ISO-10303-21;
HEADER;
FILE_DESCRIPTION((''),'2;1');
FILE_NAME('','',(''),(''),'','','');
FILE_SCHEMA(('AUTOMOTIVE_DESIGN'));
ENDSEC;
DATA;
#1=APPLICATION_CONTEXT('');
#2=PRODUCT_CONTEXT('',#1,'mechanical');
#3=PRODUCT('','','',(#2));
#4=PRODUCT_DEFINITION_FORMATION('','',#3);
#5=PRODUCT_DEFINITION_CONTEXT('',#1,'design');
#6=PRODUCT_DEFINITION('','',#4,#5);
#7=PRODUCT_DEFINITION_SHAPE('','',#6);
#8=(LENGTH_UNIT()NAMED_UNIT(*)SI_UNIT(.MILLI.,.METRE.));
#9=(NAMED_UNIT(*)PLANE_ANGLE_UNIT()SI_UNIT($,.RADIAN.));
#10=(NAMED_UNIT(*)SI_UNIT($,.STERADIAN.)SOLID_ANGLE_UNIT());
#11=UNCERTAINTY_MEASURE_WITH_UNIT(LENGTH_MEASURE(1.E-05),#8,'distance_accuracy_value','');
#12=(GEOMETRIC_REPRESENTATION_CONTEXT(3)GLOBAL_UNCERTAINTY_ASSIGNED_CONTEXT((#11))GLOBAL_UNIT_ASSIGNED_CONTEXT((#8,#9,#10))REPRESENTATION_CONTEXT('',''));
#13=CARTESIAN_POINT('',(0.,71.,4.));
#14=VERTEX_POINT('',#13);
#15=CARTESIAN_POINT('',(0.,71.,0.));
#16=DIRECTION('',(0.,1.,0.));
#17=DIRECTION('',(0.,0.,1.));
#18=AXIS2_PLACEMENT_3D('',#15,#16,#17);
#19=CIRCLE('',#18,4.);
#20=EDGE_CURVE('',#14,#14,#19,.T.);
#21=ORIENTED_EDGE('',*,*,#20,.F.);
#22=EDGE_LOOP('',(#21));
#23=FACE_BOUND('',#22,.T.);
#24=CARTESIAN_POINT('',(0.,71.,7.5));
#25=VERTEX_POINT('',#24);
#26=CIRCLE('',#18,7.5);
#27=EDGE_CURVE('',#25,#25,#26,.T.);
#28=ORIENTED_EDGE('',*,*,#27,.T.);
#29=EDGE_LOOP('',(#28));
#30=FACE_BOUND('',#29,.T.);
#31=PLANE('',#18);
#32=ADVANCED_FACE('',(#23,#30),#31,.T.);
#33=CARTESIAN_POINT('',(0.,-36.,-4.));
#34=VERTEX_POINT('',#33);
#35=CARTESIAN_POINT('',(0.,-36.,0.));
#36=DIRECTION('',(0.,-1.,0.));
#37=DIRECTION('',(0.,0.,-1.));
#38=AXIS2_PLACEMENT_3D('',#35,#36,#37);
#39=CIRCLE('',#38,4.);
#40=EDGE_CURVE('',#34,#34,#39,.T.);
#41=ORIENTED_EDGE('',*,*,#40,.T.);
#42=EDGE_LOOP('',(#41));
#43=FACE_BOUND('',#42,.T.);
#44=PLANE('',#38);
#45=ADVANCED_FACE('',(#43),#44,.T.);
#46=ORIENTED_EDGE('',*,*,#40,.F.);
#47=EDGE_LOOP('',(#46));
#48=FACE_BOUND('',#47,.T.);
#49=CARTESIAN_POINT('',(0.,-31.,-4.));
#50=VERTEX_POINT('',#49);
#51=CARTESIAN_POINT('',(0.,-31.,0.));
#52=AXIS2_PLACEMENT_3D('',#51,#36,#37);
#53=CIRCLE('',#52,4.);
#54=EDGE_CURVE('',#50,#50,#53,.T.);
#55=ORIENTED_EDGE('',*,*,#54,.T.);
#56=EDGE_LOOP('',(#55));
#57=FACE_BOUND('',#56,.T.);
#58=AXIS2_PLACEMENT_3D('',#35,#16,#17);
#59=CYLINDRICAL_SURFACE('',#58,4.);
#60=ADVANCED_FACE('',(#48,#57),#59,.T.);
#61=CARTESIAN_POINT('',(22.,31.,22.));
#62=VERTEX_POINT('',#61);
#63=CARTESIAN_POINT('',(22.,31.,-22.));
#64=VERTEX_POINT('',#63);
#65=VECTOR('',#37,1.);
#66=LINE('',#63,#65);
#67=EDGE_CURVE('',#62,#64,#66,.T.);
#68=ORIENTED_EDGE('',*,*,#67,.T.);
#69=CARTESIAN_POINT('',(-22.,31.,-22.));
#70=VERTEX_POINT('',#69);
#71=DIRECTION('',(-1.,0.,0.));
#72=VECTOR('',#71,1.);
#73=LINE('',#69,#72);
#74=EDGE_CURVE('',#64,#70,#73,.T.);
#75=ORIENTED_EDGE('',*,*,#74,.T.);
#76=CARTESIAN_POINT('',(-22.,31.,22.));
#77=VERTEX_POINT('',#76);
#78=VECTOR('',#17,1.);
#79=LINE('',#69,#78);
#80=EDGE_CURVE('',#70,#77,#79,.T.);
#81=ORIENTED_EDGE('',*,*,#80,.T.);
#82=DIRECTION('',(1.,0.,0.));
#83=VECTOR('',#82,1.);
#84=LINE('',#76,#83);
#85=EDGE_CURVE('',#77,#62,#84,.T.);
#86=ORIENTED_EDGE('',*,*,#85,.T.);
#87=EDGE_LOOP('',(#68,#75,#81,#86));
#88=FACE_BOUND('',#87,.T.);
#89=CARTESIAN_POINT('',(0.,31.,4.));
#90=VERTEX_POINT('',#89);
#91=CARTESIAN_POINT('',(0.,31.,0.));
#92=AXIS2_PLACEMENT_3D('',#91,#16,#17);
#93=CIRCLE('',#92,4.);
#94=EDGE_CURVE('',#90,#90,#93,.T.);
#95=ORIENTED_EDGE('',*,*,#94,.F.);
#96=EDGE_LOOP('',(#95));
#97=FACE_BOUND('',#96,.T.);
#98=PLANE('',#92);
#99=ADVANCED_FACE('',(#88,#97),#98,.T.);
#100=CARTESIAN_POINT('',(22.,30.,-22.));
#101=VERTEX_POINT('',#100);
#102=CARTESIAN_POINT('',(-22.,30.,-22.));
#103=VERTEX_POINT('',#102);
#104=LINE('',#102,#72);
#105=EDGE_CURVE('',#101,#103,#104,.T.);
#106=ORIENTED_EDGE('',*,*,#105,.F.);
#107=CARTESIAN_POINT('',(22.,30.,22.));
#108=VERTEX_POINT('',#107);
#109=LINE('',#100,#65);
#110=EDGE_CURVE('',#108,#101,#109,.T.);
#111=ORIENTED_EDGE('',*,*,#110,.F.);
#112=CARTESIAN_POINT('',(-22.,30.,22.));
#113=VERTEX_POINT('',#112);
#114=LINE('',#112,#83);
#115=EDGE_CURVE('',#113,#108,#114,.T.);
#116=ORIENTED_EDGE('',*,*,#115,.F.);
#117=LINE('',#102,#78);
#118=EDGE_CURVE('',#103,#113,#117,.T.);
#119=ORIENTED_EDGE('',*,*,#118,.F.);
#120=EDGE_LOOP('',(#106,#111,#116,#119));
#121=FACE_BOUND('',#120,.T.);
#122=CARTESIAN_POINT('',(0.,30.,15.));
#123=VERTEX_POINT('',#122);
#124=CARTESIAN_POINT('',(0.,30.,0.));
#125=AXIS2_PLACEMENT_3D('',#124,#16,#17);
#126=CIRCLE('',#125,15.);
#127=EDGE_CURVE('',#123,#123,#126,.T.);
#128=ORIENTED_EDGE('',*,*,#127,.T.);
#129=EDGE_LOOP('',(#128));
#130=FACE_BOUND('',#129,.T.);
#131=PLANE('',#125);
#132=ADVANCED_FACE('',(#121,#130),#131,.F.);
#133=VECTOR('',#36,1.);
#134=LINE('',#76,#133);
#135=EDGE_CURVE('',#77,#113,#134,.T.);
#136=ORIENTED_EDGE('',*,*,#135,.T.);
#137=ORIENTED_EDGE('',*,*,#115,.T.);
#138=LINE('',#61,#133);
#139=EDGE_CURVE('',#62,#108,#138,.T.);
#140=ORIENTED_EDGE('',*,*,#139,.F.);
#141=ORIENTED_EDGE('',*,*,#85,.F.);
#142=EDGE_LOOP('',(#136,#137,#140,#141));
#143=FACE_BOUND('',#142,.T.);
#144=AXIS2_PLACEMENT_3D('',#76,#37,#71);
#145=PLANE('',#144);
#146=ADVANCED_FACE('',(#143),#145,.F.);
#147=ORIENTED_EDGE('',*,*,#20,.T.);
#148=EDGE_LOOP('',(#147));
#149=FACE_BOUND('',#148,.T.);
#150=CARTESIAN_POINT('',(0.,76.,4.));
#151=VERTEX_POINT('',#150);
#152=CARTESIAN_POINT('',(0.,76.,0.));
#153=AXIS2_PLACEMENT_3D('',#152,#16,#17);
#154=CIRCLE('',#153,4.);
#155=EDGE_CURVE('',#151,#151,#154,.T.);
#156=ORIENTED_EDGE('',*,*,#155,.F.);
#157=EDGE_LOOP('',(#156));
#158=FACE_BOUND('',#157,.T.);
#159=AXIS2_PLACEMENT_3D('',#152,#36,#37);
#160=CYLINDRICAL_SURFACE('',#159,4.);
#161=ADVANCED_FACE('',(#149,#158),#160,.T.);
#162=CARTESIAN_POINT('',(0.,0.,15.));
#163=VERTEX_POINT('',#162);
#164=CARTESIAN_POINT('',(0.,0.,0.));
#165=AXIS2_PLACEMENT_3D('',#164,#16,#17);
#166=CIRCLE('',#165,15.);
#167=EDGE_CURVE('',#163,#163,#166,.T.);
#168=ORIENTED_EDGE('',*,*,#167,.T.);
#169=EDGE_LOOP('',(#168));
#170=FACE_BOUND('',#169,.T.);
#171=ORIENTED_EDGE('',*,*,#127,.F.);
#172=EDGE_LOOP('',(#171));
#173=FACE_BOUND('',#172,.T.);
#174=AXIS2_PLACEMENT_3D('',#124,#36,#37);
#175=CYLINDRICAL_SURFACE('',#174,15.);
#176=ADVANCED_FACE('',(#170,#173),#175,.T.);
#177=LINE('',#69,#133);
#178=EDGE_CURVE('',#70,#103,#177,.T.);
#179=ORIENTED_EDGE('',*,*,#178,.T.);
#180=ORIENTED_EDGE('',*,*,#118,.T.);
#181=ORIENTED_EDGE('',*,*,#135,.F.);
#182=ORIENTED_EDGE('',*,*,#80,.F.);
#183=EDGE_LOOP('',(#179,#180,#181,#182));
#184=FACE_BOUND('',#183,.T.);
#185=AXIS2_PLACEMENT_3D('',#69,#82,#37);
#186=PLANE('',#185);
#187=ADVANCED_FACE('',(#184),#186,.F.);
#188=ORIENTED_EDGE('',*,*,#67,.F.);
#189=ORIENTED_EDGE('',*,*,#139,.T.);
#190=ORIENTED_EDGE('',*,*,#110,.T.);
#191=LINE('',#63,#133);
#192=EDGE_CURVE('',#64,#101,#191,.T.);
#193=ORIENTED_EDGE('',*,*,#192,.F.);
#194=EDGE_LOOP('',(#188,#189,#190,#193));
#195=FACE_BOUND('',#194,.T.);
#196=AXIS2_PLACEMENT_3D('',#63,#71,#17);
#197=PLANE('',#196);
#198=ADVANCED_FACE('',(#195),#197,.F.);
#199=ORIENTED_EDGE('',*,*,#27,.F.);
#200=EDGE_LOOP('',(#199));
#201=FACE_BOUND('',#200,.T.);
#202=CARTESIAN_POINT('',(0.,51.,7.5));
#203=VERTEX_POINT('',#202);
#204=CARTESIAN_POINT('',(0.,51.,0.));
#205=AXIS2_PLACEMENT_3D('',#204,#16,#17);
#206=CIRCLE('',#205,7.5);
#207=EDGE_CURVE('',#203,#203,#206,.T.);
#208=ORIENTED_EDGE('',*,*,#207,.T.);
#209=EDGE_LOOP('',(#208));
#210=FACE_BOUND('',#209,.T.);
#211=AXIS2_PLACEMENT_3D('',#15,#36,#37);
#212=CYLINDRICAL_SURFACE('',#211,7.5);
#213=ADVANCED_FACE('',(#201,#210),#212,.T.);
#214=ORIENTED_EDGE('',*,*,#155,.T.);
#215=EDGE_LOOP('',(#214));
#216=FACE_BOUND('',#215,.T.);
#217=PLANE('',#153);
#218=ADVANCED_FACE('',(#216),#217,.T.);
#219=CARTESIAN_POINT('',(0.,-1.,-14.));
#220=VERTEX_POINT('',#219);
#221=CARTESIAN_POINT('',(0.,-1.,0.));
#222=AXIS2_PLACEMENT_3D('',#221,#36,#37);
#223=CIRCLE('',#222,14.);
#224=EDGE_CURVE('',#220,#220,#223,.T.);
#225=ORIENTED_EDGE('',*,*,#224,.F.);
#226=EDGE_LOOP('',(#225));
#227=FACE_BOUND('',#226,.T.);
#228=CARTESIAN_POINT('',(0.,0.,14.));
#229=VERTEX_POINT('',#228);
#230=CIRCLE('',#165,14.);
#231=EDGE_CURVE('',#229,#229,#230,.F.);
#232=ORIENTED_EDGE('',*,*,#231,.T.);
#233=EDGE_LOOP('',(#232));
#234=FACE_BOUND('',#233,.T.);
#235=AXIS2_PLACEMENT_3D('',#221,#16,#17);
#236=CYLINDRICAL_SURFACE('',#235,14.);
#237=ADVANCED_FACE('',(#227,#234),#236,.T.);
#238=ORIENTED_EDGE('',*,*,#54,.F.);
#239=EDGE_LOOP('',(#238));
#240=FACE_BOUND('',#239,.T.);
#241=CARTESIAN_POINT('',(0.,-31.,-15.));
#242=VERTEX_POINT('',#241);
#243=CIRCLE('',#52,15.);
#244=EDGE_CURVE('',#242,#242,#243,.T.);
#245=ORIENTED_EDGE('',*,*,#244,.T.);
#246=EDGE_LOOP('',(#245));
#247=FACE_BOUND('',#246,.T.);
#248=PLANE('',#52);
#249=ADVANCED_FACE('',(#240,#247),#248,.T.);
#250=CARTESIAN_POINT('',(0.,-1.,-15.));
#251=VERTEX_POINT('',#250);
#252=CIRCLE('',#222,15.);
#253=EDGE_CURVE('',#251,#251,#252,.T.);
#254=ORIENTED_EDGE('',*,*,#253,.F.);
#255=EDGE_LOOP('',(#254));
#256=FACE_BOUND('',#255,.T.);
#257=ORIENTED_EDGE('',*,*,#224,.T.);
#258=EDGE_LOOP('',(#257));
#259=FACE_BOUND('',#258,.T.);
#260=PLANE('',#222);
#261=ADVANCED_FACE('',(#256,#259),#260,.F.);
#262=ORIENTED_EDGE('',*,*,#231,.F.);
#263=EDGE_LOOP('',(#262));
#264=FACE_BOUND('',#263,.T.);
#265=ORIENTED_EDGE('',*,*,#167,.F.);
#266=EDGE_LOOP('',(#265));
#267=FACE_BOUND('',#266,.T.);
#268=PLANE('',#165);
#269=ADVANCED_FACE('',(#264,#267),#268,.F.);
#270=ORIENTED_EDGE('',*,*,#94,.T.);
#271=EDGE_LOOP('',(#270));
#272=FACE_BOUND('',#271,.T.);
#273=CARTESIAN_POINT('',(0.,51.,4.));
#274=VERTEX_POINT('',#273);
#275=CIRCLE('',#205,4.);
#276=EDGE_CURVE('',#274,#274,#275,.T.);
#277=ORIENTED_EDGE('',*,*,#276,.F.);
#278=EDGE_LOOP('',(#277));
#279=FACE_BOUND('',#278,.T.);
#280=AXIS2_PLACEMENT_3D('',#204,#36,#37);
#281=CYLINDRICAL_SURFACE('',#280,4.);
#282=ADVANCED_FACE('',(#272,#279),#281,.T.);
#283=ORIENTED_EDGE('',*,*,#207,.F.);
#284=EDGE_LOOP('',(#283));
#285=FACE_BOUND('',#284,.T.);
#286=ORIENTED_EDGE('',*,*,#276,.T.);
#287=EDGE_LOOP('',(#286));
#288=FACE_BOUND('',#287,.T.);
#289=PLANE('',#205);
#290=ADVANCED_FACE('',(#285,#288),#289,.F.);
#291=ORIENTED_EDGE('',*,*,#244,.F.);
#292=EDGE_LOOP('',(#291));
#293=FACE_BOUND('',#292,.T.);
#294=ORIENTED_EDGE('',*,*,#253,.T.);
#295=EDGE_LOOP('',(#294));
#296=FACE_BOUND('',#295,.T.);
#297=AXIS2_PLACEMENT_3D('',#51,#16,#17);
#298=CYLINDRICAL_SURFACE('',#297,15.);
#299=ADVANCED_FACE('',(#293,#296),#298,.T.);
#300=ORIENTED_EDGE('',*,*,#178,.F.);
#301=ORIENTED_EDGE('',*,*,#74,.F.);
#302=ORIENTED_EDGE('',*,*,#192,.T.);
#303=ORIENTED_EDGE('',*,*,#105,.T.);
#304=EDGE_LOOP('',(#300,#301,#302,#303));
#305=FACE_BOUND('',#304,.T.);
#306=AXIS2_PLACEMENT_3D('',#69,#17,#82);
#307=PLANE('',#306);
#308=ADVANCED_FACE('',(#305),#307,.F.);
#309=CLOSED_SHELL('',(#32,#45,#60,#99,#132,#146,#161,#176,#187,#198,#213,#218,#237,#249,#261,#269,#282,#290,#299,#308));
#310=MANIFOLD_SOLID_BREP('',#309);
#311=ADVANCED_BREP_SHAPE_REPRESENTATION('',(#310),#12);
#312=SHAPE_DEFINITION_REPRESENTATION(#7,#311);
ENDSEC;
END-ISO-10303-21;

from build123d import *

# Parameters (mm, degrees)
SKETCH1_R           = 15
BOSS_EXTRUDE1_DEPTH = 30
SKETCH2_W           = 44
SKETCH2_H           = 44
BOSS_EXTRUDE2_DEPTH = 1
SKETCH3_R           = 4
BOSS_EXTRUDE3_DEPTH = 20
SKETCH4_R           = 7.5
BOSS_EXTRUDE4_DEPTH = 20
SKETCH5_R           = 4
BOSS_EXTRUDE5_DEPTH = 5
SKETCH6_R           = 14
BOSS_EXTRUDE6_DEPTH = 1
SKETCH7_R           = 15
BOSS_EXTRUDE7_DEPTH = 30
SKETCH8_R           = 4
BOSS_EXTRUDE8_DEPTH = 5


with BuildPart() as part:
    # Sketch1 → Boss-Extrude1 (new body)
    with BuildSketch(Plane(origin=(0, 0, 0), x_dir=(1, 0, 0), z_dir=(0, 1, 0))):
        Circle(SKETCH1_R)
    extrude(amount=BOSS_EXTRUDE1_DEPTH)

    # Sketch2 → Boss-Extrude2 (add)
    with BuildSketch(Plane(origin=(0, 30, 0), x_dir=(1, 0, 0), z_dir=(0, 1, 0))):
        Rectangle(SKETCH2_W, SKETCH2_H)
    extrude(amount=BOSS_EXTRUDE2_DEPTH)

    # Sketch3 → Boss-Extrude3 (add)
    with BuildSketch(Plane(origin=(0, 31, 0), x_dir=(1, 0, 0), z_dir=(0, 1, 0))):
        Circle(SKETCH3_R)
    extrude(amount=BOSS_EXTRUDE3_DEPTH)

    # Sketch4 → Boss-Extrude4 (add)
    with BuildSketch(Plane(origin=(0, 51, 0), x_dir=(1, 0, 0), z_dir=(0, 1, 0))):
        Circle(SKETCH4_R)
    extrude(amount=BOSS_EXTRUDE4_DEPTH)

    # Sketch5 → Boss-Extrude5 (add)
    with BuildSketch(Plane(origin=(0, 71, 0), x_dir=(1, 0, 0), z_dir=(0, 1, 0))):
        Circle(SKETCH5_R)
    extrude(amount=BOSS_EXTRUDE5_DEPTH)

    # Sketch6 → Boss-Extrude6 (add)
    with BuildSketch(Plane(origin=(0, 0, 0), x_dir=(-1, 0, 0), z_dir=(0, -1, 0))):
        Circle(SKETCH6_R)
    extrude(amount=BOSS_EXTRUDE6_DEPTH)

    # Sketch7 → Boss-Extrude7 (add)
    with BuildSketch(Plane(origin=(0, -1, 0), x_dir=(-1, 0, 0), z_dir=(0, -1, 0))):
        Circle(SKETCH7_R)
    extrude(amount=BOSS_EXTRUDE7_DEPTH)

    # Sketch8 → Boss-Extrude8 (add)
    with BuildSketch(Plane(origin=(0, -31, 0), x_dir=(-1, 0, 0), z_dir=(0, -1, 0))):
        Circle(SKETCH8_R)
    extrude(amount=BOSS_EXTRUDE8_DEPTH)


solid = part.part
